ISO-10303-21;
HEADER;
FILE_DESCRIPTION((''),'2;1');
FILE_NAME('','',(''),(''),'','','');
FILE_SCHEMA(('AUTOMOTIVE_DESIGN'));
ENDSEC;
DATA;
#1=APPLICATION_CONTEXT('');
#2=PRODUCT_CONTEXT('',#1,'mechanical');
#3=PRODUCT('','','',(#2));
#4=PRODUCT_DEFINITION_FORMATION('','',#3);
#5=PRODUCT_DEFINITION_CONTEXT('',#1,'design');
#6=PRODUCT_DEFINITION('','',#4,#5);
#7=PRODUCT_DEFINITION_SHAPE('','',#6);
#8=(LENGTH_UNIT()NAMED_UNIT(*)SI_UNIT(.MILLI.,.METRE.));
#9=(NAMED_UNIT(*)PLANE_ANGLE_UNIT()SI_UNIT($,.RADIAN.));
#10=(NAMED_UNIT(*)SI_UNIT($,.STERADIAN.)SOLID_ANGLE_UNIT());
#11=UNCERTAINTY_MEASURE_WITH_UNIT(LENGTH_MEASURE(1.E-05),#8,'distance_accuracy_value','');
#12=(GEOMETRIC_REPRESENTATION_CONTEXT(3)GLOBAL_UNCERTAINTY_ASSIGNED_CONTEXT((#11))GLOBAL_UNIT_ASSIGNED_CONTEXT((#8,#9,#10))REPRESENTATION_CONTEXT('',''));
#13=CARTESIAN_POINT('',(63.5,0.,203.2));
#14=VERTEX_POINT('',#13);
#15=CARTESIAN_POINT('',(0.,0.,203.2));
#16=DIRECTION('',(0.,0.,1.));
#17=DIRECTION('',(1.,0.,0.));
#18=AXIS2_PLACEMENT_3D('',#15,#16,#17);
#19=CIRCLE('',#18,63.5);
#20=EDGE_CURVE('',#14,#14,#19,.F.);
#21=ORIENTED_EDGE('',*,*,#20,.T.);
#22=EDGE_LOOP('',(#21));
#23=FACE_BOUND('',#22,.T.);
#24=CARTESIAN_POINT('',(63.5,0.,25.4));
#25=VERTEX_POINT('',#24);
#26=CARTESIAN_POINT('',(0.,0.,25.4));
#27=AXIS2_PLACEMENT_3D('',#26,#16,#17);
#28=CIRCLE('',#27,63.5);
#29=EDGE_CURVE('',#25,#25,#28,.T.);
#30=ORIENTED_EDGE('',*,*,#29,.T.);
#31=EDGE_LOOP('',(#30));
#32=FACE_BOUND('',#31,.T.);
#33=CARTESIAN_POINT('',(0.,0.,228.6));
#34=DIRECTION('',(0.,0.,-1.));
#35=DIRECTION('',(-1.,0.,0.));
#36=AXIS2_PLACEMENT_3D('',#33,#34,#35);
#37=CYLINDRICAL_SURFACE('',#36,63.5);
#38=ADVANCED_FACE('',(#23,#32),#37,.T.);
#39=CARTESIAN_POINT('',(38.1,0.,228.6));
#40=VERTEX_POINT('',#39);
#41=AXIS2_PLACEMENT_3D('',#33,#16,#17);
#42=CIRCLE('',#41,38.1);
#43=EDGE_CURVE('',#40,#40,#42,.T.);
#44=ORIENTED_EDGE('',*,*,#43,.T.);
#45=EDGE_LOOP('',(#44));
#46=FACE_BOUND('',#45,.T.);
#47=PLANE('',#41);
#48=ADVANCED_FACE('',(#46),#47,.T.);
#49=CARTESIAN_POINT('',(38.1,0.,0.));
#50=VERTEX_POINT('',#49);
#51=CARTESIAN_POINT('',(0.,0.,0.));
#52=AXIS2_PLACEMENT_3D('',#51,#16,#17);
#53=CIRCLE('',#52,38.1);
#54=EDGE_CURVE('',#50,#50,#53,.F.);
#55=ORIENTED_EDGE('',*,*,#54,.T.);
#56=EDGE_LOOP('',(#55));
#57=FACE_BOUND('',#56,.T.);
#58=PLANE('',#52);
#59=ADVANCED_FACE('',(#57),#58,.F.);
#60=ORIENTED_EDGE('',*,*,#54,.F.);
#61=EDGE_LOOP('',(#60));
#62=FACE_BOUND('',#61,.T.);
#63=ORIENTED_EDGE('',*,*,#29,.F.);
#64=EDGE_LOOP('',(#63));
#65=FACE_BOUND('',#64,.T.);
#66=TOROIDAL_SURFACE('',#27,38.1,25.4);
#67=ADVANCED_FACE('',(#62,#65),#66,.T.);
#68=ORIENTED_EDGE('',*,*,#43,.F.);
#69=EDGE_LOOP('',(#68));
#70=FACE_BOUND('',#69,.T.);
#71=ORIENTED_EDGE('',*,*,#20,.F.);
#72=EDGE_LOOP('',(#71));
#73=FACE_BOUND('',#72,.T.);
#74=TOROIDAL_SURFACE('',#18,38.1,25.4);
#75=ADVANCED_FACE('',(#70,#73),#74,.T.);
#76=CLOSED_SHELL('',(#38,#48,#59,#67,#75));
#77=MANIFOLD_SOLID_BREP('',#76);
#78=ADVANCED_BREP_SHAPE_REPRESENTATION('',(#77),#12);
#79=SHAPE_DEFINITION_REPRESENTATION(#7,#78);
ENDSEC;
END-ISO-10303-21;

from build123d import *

# Parameters (mm, degrees)
SKETCH1_R           = 63.5
BOSS_EXTRUDE1_DEPTH = 228.6
FILLET1_R           = 25.4


with BuildPart() as part:
    # Sketch1 → Boss-Extrude1 (new body)
    with BuildSketch(Plane.XY):
        Circle(SKETCH1_R)
    extrude(amount=BOSS_EXTRUDE1_DEPTH)

    # Fillet1
    fillet1_edges = [part.edges().sort_by_distance(p)[0] for p in [
        (-63.5, 0, 0),
        (-63.5, 0, 228.6),
    ]]
    fillet(fillet1_edges, radius=FILLET1_R)


solid = part.part
